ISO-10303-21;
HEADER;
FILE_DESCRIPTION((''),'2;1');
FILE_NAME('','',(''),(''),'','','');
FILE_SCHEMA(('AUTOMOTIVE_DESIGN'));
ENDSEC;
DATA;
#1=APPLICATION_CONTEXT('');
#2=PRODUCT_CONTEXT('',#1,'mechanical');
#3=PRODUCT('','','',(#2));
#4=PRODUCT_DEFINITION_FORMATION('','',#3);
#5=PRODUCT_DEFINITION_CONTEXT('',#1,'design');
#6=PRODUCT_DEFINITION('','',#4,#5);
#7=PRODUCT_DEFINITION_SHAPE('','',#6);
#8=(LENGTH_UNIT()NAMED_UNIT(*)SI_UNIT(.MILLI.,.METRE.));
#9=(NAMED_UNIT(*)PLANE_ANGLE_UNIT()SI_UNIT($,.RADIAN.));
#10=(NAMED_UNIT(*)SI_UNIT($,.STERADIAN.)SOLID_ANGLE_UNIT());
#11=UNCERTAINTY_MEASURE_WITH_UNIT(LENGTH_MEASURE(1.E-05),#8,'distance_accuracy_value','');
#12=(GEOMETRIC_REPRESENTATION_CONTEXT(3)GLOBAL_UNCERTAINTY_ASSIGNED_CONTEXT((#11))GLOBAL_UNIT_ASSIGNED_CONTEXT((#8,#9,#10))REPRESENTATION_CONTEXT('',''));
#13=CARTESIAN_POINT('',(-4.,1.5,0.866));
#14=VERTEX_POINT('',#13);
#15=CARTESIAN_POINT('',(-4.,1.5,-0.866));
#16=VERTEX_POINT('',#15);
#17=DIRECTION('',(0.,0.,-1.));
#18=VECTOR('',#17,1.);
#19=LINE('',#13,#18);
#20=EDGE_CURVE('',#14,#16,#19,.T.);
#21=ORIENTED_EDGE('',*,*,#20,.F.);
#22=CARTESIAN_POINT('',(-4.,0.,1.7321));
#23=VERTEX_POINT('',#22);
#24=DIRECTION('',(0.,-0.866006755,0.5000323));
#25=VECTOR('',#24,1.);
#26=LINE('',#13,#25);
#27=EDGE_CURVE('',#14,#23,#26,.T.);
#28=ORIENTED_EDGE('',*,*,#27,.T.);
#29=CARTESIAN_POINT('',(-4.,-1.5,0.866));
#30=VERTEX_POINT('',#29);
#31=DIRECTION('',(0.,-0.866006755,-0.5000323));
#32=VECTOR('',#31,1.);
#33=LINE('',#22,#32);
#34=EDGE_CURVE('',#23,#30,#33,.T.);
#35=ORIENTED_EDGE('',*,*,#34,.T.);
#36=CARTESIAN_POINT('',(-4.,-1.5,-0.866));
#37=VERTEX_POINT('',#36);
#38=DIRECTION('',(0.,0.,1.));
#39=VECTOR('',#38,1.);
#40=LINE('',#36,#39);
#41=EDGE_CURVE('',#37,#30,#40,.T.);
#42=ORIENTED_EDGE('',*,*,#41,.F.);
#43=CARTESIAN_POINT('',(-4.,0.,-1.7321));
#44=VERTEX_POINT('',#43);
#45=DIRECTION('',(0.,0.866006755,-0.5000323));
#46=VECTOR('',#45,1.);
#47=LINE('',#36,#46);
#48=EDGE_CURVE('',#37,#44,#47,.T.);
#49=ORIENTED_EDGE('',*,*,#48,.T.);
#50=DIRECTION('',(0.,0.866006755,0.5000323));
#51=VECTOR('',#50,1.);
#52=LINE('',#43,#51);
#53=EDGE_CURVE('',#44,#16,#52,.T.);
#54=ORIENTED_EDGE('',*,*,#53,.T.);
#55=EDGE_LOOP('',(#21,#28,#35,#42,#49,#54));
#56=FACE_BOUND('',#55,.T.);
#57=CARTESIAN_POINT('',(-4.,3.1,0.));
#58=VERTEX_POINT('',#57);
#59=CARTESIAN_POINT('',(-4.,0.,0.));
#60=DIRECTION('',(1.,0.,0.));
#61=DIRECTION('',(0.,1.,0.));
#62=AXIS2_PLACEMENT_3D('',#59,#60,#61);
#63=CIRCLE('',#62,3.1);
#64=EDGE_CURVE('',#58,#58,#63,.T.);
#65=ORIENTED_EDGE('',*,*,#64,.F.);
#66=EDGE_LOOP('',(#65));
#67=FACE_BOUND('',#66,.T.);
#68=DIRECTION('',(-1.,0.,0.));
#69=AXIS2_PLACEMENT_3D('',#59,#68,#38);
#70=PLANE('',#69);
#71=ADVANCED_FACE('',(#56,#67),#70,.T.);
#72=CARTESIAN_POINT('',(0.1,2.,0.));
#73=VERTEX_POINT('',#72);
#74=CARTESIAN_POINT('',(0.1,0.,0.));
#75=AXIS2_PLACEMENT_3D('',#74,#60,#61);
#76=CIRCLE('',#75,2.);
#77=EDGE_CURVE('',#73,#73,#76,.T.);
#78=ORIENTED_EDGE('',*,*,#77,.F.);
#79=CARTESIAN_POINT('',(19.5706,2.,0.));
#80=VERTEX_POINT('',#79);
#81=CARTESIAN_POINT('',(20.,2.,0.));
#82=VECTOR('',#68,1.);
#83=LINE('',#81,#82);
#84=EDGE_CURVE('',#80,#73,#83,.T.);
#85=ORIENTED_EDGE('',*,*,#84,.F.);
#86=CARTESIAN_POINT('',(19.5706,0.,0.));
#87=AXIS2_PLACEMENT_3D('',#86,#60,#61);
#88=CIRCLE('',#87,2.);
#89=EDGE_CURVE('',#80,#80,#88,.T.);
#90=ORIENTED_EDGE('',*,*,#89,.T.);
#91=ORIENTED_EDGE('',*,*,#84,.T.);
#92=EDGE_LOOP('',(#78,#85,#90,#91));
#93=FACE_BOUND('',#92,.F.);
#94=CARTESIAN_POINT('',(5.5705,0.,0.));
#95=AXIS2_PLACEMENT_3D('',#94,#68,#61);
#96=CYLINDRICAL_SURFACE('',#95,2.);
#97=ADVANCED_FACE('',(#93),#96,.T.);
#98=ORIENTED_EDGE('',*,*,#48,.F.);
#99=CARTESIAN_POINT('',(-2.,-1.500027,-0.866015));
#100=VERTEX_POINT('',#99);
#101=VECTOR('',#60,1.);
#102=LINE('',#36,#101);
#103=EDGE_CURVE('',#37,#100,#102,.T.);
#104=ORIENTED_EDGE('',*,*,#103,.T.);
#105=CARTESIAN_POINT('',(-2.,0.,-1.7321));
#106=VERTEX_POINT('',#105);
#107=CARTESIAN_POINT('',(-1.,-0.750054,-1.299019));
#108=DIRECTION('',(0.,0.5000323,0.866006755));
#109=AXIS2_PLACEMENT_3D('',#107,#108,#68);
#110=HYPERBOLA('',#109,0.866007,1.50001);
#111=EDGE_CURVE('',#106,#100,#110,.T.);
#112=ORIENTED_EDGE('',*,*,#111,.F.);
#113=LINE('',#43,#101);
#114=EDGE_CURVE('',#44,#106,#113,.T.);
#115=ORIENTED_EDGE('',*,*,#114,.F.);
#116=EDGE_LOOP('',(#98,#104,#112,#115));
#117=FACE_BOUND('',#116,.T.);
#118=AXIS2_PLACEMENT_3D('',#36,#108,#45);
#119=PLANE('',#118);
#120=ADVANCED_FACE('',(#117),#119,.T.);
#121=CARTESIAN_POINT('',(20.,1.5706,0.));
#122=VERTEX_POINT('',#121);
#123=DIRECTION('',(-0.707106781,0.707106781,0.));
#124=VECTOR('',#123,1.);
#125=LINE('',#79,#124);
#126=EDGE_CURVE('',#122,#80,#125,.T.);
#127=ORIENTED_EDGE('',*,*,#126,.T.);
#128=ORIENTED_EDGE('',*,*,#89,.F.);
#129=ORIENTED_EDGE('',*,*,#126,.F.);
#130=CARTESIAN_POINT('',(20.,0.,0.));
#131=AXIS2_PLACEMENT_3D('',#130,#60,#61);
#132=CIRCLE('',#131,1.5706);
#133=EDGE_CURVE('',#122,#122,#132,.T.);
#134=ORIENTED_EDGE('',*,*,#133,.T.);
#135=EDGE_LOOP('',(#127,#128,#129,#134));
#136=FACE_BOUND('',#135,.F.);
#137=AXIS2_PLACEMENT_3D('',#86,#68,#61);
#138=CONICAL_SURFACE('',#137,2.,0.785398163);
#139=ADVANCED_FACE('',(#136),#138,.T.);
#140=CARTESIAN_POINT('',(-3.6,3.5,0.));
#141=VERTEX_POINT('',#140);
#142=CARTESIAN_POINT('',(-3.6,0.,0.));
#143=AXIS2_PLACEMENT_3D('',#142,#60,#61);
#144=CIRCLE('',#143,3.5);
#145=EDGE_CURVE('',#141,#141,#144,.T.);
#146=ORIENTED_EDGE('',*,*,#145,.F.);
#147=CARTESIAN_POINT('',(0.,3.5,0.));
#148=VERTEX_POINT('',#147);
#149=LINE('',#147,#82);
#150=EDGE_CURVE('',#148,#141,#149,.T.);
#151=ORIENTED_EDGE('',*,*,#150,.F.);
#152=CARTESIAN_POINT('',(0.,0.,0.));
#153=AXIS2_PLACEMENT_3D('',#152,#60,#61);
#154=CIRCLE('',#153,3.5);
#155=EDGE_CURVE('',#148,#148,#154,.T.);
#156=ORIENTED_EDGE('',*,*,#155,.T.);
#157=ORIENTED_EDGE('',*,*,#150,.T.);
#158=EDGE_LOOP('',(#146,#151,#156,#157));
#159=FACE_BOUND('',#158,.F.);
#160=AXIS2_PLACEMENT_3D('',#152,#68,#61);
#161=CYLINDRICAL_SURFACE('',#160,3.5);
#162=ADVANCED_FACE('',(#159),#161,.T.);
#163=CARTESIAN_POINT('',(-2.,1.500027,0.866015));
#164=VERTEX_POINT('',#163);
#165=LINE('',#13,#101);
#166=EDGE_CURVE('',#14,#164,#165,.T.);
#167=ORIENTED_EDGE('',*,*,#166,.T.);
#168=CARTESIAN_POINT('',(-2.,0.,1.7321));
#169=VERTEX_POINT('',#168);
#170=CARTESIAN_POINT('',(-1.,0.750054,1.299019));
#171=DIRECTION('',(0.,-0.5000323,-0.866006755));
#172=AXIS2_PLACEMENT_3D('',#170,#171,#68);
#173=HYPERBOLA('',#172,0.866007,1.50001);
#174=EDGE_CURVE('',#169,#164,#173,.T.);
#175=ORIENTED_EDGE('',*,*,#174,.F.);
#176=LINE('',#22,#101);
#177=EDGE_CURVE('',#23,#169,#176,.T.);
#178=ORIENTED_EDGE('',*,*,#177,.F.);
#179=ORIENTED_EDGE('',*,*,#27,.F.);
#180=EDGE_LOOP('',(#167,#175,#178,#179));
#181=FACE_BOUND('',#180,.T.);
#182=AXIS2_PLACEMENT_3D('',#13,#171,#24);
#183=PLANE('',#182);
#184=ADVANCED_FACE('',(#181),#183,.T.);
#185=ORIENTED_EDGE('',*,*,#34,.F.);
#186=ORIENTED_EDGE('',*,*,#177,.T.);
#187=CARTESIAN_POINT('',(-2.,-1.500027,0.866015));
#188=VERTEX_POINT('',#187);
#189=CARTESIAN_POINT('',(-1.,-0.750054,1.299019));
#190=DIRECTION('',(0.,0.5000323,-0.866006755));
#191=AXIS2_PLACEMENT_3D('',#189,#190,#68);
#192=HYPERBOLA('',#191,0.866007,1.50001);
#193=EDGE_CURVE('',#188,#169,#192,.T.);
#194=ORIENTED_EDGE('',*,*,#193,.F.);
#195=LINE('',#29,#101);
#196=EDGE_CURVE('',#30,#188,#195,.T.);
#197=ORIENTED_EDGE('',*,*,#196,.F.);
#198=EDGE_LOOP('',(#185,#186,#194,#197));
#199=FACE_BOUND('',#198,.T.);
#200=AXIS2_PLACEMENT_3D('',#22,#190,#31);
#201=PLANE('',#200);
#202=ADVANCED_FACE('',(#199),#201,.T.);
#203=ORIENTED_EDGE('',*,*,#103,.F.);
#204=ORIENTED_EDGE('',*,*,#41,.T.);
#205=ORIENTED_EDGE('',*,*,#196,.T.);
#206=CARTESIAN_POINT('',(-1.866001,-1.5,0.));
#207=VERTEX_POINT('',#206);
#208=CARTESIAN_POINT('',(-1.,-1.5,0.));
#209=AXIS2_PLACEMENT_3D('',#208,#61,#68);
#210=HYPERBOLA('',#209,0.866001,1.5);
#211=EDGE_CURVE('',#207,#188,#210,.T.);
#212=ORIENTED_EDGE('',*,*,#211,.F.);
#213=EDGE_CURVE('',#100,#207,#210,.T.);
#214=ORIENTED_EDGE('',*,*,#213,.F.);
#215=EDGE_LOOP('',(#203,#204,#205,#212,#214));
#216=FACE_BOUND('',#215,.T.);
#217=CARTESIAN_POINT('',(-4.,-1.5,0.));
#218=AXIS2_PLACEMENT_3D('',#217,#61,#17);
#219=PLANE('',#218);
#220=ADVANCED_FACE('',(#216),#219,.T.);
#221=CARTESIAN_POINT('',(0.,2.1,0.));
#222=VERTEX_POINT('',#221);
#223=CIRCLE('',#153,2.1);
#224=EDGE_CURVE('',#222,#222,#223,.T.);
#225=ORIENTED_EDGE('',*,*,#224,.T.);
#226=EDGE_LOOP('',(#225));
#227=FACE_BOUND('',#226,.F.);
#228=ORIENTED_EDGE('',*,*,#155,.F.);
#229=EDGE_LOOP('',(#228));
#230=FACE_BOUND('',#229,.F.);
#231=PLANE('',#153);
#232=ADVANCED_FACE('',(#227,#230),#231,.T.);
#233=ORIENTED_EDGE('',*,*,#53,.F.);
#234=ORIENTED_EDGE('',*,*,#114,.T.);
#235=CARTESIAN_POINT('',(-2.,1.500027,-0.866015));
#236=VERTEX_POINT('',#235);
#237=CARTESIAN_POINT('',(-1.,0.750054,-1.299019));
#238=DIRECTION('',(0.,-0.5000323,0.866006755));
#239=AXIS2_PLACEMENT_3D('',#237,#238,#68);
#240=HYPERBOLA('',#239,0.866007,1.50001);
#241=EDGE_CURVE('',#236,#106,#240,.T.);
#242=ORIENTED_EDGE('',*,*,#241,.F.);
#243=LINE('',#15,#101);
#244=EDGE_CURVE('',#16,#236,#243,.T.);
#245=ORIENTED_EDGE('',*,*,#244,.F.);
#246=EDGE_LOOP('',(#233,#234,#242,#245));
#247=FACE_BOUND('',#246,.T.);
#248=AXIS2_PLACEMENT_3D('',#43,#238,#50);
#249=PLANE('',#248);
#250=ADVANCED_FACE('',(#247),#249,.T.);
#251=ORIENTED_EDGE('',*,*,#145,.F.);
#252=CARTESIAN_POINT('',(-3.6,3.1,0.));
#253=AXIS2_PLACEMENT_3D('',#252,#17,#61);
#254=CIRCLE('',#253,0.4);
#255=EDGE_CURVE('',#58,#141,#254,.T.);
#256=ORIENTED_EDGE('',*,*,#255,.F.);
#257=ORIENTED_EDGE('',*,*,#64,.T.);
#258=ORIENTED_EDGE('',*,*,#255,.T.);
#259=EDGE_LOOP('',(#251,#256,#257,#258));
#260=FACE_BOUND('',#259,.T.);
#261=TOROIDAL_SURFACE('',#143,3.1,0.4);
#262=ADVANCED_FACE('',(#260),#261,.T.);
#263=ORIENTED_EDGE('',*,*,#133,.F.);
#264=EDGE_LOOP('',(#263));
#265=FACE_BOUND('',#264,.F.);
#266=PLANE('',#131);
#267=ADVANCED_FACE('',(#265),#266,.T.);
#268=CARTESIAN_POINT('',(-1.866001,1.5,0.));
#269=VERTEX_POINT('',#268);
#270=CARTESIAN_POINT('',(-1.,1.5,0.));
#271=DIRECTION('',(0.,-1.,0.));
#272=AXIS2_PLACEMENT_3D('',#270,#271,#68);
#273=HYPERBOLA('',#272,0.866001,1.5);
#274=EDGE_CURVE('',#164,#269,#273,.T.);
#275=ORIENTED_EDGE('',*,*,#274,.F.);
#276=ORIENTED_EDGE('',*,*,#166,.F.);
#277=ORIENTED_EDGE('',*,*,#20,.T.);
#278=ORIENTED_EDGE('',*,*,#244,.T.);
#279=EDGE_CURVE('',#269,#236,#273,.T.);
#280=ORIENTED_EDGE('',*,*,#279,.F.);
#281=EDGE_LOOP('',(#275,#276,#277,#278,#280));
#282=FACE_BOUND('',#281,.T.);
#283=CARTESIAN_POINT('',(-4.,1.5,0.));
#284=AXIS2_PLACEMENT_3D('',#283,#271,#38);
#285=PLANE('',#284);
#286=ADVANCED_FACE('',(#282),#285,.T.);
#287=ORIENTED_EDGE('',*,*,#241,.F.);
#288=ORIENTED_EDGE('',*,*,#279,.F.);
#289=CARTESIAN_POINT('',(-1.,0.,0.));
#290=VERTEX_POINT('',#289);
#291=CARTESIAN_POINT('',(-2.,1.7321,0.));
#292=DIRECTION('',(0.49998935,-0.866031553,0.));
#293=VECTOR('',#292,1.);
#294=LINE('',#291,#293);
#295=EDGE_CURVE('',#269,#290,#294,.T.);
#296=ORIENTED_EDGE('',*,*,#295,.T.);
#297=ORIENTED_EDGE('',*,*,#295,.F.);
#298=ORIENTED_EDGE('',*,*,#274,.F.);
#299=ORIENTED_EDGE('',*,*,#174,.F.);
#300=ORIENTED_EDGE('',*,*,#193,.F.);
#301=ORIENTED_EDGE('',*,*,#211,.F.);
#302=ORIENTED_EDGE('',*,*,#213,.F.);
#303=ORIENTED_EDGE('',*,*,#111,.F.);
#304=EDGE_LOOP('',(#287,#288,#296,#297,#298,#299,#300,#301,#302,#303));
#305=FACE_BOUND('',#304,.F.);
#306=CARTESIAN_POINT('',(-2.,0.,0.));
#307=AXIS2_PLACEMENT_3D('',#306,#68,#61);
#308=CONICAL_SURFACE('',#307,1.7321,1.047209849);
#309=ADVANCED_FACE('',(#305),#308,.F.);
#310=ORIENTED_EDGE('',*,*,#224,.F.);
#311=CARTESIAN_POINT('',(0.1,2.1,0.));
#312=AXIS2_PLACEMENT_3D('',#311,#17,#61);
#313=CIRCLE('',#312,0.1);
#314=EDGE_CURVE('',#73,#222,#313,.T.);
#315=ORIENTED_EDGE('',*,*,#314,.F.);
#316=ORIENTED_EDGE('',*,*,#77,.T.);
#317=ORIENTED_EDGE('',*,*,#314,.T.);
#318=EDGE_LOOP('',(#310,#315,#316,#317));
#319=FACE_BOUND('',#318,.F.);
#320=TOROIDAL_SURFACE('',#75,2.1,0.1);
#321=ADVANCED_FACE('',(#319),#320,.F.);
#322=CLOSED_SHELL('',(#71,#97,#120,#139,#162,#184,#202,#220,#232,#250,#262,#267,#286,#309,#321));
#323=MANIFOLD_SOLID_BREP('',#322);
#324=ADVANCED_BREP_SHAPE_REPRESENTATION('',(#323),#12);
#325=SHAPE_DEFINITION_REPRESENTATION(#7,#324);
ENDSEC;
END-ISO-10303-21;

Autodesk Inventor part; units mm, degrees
ref_plane "YZ Plane" through (0, 0, 0) normal (1, 0, 0) x (0, 1, 0)
ref_plane "XZ Plane" through (0, 0, 0) normal (0, 1, 0) x (-1, 0, 0)
sketch "Sketch1" plane through (0, 0, 0) normal (0, 0, 1) x (1, 0, 0)
  line L0 (-1, 0) -> (20, 0)
  line L1 (20, 0) -> (20, 2)
  line L2 (20, 2) -> (6, 2)
  line L3 (6, 2) -> (5.5705, 2)
  line L4 (5.5705, 2) -> (0, 2)
  line L5 (0, 2) -> (0, 3.5)
  line L6 (0, 3.5) -> (-4, 3.5)
  line L7 (-4, 3.5) -> (-4, 1.7321)
  line L8 (-4, 1.7321) -> (-2, 1.7321)
  line L9 (-2, 1.7321) -> (-1, 0)
  line L10 (-8.8, 0) -> (24.8, 0) projected
  line L11 (0, -0.7) -> (0, 4.2) projected
  line L12 (6, 2) -> (0, 2) construction
  dimension "d1" = 14
  dimension "d2" = 0.4295
  dimension "d3" = 4
  dimension "d4" = 2
  dimension "d5" = 60
  dimension "d6" = 4
  dimension "d7" = 4
  dimension "d8" = 3.4641
  dimension "d9" = 7
  dimension "d26" = 20
revolve "Body" add sketch "Sketch1" angle 360 about axis through (-1, 0, 0) along (1, 0, 0)
sketch "Sketch2" plane through (-4, 0, 0) normal (-1, 0, 0) x (0, 0, 1)
  circle A0 centre (0, 0) radius 1.7321 projected
  line L0 (0, -4.9) -> (0, 4.9) projected
  line L1 (-4.9, 0) -> (4.9, 0) projected
  line L2 (1.7321, 0) -> (0.866, -1.5)
  line L3 (0.866, -1.5) -> (-0.866, -1.5)
  line L4 (-0.866, -1.5) -> (-1.7321, 0)
  line L5 (-1.7321, 0) -> (-0.866, 1.5)
  line L6 (-0.866, 1.5) -> (0.866, 1.5)
  line L7 (0.866, 1.5) -> (1.7321, 0)
extrude "Slot" add sketch "Sketch2" against normal up to next contours L7 A0 | A0 L2 | L6 L0 A0 | A0 L0 L3 | L0 L6 A0 | A0 L3 L0 | L4 A0 | A0 L5
fillet "Fillet1" radius 0.4 1 edges at (-4, -3.5, 0)
thread "Thread" size "M4x0.7" class "6g" standard "ISO Metric profile" length 14
chamfer "Chamfer1" distance 0.4294 distance2 0.4294 1 edges at (20, -2, 0) measured on face at (20, 0.527, -0.2661)
ref_plane "Work Plane1" through (29, 0, 0) normal (0, -1, 0) x (1, 0, 0)
fillet "Fillet2" radius 0.1 1 edges at (0, -2, 0)
equation "\"d1\" = GEL"
equation "\"d3\" = KOH"
equation "\"d4\" = INTI"
equation "\"d6\" = GD"
equation "\"d7\" = BDM"
equation "\"d8\" = 1.1547 * SW"
equation "\"d9\" = KOD"
equation "\"d26\" = NLG"
equation "\"d30\" = R"
equation "\"d17\" = RR"
equation "\"d13\" = GEL"
equation "\"d15\" = -0.5 * SPD + 0.5 * GD"
equation "\"d16\" = GUL"
equation "\"GD\" = NND"
equation "\"NLG\" = 20"
equation "\"GEL\" = 14"
equation "\"KOD\" = 7"
equation "\"KOH\" = NND"
equation "\"INTI\" = 2"
equation "\"GAL\" = 0.61345 * PTC"
equation "\"GUL\" = 0.61345 * PTC"
equation "\"BDM\" = NND"
equation "\"SW\" = 3"
equation "\"RR\" = 0.1 * NND"
equation "\"SPD\" = NND - 1.2269 * PTC"
equation "\"R\" = 0.1"
equation "\"PHH\" = 0.13"
equation "\"GD1\" = THREADDIA - 1.2269 * PTC"
equation "\"THREADDIA\" = 4"
equation "\"FAWI\" = 45deg"
equation "\"PTC\" = 0.7"
equation "\"KOH1\" = 3.6"
equation "\"NND\" = 4"
equation "\"TOA\" = 30deg"
equation "\"E0\" = 1.155 * SW"
properties part number "AS 1420 - 1973 - M4 x 20" material "Steel, Mild"
